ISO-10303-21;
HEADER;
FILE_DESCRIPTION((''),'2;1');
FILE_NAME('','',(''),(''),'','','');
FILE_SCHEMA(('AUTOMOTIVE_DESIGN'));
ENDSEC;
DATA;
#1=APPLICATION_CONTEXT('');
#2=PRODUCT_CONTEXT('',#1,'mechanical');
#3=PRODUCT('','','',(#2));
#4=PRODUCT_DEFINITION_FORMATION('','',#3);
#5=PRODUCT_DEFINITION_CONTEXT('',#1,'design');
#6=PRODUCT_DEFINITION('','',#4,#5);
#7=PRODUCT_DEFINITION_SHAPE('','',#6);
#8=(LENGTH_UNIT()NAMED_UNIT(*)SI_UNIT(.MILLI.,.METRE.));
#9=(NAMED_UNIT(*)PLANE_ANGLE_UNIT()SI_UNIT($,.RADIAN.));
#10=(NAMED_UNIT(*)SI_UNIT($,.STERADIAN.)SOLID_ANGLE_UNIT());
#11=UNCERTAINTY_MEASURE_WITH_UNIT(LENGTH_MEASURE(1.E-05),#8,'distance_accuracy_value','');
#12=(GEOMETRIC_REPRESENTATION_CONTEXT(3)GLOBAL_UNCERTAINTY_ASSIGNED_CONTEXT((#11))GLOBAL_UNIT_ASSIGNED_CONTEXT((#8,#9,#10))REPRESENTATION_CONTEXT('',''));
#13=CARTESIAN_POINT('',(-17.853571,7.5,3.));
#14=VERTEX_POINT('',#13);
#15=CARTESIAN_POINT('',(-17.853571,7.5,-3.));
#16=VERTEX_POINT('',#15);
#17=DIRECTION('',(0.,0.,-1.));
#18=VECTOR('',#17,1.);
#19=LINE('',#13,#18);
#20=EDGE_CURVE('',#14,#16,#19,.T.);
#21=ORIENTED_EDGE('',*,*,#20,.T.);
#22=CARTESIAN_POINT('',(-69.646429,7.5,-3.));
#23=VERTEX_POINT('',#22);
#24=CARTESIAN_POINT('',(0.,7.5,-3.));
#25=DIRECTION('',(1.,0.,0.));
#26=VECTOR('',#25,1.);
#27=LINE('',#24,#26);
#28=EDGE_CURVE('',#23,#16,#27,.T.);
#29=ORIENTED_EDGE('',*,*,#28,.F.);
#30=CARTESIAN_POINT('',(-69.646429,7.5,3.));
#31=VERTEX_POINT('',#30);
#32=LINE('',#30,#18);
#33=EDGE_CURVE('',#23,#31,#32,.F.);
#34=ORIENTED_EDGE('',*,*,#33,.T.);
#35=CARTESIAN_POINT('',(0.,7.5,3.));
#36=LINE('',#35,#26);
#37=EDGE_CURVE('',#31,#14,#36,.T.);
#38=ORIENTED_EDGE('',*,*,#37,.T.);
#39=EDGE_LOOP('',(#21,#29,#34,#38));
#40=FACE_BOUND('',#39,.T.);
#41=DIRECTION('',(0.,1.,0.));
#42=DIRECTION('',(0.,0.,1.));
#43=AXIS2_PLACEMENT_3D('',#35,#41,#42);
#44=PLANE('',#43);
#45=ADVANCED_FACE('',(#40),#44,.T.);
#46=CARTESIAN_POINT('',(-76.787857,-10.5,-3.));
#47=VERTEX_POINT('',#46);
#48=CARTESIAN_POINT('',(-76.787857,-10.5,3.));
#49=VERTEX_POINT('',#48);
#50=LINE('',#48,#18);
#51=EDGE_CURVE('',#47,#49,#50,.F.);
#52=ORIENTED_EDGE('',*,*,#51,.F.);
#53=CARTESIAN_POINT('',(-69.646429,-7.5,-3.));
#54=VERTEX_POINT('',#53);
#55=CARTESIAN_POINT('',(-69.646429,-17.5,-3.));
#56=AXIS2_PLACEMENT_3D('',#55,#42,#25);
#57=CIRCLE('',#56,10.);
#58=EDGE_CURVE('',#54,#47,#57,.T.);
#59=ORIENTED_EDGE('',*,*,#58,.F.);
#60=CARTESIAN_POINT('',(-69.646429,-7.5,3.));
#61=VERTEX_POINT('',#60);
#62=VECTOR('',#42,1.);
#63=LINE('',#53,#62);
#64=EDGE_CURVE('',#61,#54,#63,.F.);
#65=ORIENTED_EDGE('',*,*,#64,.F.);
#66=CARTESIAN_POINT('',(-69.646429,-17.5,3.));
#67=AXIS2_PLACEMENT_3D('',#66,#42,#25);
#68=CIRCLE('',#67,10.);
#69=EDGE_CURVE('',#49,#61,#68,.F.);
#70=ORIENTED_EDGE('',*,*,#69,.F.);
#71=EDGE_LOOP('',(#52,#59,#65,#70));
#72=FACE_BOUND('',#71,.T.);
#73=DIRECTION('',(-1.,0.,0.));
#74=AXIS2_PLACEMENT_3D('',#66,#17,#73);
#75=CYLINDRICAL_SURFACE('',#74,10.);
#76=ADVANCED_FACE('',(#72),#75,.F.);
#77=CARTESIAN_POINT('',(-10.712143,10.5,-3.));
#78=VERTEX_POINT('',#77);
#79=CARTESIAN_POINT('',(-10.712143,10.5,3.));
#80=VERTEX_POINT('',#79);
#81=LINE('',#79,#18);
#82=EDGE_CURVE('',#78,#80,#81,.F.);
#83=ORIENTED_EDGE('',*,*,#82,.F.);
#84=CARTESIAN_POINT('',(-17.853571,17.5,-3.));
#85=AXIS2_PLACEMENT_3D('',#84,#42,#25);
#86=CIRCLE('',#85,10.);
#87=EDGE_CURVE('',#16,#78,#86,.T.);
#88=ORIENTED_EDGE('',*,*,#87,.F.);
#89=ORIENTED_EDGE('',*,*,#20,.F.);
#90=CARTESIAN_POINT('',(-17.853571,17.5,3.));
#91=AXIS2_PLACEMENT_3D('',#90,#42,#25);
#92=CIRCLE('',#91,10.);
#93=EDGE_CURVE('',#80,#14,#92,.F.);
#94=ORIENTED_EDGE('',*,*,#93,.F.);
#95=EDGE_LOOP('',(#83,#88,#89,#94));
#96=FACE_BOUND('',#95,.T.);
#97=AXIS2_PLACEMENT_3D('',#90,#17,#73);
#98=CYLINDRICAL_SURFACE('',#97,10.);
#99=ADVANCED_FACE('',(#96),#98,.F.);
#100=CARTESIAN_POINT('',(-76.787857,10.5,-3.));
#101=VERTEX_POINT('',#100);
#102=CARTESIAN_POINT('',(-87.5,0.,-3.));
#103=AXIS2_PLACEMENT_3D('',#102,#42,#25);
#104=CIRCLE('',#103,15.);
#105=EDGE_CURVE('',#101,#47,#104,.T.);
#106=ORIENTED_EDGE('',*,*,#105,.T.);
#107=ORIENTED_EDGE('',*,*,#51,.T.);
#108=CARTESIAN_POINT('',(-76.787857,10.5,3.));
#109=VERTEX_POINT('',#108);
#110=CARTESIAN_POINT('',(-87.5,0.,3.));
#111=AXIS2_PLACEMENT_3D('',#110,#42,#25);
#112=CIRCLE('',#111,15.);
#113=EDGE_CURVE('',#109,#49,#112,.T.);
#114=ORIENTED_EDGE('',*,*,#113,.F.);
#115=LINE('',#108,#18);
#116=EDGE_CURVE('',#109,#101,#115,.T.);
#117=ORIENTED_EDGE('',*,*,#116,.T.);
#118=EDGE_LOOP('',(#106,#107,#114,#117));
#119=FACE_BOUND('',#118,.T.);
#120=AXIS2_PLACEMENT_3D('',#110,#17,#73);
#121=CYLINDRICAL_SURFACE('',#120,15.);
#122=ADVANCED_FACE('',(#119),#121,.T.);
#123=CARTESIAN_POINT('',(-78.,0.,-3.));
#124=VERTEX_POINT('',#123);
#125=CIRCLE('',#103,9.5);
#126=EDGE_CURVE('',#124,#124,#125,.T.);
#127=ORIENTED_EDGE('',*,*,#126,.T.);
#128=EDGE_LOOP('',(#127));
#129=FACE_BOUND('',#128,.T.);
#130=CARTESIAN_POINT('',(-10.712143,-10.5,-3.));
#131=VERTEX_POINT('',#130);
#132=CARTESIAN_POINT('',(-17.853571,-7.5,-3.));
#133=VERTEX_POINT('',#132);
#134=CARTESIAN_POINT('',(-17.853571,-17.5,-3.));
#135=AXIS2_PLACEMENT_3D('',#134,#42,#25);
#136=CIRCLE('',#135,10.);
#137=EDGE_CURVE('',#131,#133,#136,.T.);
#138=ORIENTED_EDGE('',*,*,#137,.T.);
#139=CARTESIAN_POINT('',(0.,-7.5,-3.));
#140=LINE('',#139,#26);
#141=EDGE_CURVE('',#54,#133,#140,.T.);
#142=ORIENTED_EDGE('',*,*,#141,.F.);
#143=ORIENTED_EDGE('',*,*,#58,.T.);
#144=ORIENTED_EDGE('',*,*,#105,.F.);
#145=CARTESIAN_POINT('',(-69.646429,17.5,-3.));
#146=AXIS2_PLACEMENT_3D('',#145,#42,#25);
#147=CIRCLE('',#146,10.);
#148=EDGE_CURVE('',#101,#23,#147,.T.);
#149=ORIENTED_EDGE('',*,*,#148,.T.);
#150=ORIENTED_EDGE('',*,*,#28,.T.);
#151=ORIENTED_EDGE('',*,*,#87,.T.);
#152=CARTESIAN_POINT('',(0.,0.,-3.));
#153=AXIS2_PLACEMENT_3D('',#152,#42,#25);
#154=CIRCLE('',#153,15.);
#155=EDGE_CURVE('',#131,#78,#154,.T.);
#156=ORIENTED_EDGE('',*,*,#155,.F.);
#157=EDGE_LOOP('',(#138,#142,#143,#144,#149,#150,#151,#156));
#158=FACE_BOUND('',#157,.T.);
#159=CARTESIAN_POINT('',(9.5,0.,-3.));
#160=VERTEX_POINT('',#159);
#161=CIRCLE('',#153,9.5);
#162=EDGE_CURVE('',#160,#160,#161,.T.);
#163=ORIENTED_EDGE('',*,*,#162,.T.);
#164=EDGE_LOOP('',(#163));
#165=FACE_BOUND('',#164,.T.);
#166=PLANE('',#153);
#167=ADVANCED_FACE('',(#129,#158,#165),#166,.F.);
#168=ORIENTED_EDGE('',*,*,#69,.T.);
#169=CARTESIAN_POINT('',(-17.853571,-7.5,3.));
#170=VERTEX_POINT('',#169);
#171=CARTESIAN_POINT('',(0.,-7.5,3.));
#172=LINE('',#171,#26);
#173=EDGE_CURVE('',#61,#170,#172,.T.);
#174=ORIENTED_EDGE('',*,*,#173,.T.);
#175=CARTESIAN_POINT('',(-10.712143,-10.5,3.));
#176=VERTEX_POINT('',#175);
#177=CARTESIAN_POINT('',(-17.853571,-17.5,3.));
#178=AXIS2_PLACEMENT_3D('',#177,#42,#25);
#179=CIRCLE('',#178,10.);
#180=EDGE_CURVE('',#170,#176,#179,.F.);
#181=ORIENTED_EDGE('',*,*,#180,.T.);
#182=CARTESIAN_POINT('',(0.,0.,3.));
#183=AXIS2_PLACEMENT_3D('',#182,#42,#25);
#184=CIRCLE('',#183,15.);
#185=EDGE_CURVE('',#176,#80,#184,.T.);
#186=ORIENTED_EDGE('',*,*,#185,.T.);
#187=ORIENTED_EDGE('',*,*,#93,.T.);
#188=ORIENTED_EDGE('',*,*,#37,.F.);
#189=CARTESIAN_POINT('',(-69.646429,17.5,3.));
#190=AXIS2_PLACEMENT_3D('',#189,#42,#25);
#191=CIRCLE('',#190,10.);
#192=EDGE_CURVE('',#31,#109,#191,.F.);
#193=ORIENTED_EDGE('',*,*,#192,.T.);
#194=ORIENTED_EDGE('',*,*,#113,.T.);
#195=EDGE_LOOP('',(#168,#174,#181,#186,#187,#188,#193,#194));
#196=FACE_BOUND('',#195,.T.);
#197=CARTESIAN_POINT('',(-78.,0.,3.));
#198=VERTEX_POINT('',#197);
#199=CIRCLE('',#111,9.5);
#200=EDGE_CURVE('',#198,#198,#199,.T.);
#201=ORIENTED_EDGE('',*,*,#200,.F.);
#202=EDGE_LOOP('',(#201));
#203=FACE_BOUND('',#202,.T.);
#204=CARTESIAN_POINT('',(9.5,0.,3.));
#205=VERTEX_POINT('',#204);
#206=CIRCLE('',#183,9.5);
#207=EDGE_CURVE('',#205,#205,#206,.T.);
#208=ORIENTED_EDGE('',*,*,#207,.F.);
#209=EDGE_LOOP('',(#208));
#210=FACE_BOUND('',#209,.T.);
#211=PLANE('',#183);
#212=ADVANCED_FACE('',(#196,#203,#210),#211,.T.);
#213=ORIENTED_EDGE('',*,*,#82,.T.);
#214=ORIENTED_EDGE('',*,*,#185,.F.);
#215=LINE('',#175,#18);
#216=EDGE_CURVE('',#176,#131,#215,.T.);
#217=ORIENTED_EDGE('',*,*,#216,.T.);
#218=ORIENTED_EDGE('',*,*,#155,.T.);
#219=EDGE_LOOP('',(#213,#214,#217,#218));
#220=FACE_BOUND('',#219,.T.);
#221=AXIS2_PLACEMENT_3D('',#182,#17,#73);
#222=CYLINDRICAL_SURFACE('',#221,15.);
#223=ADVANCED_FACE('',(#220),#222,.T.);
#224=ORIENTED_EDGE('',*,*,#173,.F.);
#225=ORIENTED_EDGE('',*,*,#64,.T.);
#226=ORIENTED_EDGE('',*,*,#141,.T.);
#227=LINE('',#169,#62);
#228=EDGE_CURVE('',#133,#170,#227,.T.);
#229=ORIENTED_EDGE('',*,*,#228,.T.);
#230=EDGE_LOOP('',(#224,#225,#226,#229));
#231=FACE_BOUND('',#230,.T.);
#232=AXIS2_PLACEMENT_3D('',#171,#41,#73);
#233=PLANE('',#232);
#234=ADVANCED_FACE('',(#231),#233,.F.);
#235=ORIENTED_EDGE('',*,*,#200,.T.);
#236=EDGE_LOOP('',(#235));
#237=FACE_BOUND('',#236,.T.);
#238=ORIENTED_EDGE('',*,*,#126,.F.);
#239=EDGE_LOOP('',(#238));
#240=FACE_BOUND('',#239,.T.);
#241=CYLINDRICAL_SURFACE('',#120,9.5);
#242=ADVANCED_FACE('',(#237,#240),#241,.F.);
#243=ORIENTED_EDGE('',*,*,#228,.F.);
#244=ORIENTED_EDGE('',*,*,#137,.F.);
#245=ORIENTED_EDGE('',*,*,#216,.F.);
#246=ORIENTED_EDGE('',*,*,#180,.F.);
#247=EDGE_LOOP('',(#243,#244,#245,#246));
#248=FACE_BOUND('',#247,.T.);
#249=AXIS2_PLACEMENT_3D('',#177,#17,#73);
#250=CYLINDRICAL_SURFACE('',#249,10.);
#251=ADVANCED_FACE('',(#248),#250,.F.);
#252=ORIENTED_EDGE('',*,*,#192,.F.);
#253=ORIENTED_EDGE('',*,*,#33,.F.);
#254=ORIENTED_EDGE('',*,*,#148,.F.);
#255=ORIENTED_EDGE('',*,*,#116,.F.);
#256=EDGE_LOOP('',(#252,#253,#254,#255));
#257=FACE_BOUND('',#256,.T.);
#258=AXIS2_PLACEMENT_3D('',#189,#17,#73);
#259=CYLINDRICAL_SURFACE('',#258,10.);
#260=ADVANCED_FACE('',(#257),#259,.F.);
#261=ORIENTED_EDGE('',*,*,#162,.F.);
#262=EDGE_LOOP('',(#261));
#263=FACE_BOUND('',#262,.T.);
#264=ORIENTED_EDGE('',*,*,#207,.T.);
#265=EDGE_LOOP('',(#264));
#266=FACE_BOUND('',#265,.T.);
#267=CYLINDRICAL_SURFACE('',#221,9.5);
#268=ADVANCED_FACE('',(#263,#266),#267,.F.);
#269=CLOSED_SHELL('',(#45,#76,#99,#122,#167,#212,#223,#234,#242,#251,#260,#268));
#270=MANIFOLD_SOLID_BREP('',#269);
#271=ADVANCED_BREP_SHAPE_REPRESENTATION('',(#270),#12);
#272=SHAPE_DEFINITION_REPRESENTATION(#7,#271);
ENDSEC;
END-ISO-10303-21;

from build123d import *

# Parameters (mm, degrees)
SZKIC1_R                    = 9.5
DODANIE_WYCI_GNI_CIE1_DEPTH = 3
ZAOKR_GLENIE1_R             = 10


with BuildPart() as part:
    # Szkic1 → Dodanie-wyciągnięcie1 (new, symmetric)
    with BuildSketch(Plane.XY):
        with BuildLine():
            Line((-12.990381057, 7.5), (-74.509618943, 7.5))
            ThreePointArc((-74.509618943, 7.5), (-94.991658931, 12.995193206), (-100.5, -7.483314774))
            ThreePointArc((-100.5, -7.483314774), (-87.509629653, -14.999996909), (-74.509618943, -7.5))
            Line((-74.509618943, -7.5), (-12.990381057, -7.5))
            ThreePointArc((-12.990381057, -7.5), (0, -15), (12.990381057, -7.5))
            ThreePointArc((12.990381057, -7.5), (7.5, 12.990381057), (-12.990381057, 7.5))
        make_face()
        with Locations((-87.5, 0)):
            Circle(SZKIC1_R, mode=Mode.SUBTRACT)
        Circle(SZKIC1_R, mode=Mode.SUBTRACT)
    extrude(amount=DODANIE_WYCI_GNI_CIE1_DEPTH, both=True)

    # Zaokrąglenie1
    zaokr_glenie1_edges = [part.edges().sort_by_distance(p)[0] for p in [
        (-74.509618943, 7.5, -1.5),
        (-12.990381057, 7.5, -1.5),
        (-12.990381057, -7.5, -1.5),
        (-74.509618943, -7.5, -1.5),
    ]]
    fillet(zaokr_glenie1_edges, radius=ZAOKR_GLENIE1_R)


solid = part.part
